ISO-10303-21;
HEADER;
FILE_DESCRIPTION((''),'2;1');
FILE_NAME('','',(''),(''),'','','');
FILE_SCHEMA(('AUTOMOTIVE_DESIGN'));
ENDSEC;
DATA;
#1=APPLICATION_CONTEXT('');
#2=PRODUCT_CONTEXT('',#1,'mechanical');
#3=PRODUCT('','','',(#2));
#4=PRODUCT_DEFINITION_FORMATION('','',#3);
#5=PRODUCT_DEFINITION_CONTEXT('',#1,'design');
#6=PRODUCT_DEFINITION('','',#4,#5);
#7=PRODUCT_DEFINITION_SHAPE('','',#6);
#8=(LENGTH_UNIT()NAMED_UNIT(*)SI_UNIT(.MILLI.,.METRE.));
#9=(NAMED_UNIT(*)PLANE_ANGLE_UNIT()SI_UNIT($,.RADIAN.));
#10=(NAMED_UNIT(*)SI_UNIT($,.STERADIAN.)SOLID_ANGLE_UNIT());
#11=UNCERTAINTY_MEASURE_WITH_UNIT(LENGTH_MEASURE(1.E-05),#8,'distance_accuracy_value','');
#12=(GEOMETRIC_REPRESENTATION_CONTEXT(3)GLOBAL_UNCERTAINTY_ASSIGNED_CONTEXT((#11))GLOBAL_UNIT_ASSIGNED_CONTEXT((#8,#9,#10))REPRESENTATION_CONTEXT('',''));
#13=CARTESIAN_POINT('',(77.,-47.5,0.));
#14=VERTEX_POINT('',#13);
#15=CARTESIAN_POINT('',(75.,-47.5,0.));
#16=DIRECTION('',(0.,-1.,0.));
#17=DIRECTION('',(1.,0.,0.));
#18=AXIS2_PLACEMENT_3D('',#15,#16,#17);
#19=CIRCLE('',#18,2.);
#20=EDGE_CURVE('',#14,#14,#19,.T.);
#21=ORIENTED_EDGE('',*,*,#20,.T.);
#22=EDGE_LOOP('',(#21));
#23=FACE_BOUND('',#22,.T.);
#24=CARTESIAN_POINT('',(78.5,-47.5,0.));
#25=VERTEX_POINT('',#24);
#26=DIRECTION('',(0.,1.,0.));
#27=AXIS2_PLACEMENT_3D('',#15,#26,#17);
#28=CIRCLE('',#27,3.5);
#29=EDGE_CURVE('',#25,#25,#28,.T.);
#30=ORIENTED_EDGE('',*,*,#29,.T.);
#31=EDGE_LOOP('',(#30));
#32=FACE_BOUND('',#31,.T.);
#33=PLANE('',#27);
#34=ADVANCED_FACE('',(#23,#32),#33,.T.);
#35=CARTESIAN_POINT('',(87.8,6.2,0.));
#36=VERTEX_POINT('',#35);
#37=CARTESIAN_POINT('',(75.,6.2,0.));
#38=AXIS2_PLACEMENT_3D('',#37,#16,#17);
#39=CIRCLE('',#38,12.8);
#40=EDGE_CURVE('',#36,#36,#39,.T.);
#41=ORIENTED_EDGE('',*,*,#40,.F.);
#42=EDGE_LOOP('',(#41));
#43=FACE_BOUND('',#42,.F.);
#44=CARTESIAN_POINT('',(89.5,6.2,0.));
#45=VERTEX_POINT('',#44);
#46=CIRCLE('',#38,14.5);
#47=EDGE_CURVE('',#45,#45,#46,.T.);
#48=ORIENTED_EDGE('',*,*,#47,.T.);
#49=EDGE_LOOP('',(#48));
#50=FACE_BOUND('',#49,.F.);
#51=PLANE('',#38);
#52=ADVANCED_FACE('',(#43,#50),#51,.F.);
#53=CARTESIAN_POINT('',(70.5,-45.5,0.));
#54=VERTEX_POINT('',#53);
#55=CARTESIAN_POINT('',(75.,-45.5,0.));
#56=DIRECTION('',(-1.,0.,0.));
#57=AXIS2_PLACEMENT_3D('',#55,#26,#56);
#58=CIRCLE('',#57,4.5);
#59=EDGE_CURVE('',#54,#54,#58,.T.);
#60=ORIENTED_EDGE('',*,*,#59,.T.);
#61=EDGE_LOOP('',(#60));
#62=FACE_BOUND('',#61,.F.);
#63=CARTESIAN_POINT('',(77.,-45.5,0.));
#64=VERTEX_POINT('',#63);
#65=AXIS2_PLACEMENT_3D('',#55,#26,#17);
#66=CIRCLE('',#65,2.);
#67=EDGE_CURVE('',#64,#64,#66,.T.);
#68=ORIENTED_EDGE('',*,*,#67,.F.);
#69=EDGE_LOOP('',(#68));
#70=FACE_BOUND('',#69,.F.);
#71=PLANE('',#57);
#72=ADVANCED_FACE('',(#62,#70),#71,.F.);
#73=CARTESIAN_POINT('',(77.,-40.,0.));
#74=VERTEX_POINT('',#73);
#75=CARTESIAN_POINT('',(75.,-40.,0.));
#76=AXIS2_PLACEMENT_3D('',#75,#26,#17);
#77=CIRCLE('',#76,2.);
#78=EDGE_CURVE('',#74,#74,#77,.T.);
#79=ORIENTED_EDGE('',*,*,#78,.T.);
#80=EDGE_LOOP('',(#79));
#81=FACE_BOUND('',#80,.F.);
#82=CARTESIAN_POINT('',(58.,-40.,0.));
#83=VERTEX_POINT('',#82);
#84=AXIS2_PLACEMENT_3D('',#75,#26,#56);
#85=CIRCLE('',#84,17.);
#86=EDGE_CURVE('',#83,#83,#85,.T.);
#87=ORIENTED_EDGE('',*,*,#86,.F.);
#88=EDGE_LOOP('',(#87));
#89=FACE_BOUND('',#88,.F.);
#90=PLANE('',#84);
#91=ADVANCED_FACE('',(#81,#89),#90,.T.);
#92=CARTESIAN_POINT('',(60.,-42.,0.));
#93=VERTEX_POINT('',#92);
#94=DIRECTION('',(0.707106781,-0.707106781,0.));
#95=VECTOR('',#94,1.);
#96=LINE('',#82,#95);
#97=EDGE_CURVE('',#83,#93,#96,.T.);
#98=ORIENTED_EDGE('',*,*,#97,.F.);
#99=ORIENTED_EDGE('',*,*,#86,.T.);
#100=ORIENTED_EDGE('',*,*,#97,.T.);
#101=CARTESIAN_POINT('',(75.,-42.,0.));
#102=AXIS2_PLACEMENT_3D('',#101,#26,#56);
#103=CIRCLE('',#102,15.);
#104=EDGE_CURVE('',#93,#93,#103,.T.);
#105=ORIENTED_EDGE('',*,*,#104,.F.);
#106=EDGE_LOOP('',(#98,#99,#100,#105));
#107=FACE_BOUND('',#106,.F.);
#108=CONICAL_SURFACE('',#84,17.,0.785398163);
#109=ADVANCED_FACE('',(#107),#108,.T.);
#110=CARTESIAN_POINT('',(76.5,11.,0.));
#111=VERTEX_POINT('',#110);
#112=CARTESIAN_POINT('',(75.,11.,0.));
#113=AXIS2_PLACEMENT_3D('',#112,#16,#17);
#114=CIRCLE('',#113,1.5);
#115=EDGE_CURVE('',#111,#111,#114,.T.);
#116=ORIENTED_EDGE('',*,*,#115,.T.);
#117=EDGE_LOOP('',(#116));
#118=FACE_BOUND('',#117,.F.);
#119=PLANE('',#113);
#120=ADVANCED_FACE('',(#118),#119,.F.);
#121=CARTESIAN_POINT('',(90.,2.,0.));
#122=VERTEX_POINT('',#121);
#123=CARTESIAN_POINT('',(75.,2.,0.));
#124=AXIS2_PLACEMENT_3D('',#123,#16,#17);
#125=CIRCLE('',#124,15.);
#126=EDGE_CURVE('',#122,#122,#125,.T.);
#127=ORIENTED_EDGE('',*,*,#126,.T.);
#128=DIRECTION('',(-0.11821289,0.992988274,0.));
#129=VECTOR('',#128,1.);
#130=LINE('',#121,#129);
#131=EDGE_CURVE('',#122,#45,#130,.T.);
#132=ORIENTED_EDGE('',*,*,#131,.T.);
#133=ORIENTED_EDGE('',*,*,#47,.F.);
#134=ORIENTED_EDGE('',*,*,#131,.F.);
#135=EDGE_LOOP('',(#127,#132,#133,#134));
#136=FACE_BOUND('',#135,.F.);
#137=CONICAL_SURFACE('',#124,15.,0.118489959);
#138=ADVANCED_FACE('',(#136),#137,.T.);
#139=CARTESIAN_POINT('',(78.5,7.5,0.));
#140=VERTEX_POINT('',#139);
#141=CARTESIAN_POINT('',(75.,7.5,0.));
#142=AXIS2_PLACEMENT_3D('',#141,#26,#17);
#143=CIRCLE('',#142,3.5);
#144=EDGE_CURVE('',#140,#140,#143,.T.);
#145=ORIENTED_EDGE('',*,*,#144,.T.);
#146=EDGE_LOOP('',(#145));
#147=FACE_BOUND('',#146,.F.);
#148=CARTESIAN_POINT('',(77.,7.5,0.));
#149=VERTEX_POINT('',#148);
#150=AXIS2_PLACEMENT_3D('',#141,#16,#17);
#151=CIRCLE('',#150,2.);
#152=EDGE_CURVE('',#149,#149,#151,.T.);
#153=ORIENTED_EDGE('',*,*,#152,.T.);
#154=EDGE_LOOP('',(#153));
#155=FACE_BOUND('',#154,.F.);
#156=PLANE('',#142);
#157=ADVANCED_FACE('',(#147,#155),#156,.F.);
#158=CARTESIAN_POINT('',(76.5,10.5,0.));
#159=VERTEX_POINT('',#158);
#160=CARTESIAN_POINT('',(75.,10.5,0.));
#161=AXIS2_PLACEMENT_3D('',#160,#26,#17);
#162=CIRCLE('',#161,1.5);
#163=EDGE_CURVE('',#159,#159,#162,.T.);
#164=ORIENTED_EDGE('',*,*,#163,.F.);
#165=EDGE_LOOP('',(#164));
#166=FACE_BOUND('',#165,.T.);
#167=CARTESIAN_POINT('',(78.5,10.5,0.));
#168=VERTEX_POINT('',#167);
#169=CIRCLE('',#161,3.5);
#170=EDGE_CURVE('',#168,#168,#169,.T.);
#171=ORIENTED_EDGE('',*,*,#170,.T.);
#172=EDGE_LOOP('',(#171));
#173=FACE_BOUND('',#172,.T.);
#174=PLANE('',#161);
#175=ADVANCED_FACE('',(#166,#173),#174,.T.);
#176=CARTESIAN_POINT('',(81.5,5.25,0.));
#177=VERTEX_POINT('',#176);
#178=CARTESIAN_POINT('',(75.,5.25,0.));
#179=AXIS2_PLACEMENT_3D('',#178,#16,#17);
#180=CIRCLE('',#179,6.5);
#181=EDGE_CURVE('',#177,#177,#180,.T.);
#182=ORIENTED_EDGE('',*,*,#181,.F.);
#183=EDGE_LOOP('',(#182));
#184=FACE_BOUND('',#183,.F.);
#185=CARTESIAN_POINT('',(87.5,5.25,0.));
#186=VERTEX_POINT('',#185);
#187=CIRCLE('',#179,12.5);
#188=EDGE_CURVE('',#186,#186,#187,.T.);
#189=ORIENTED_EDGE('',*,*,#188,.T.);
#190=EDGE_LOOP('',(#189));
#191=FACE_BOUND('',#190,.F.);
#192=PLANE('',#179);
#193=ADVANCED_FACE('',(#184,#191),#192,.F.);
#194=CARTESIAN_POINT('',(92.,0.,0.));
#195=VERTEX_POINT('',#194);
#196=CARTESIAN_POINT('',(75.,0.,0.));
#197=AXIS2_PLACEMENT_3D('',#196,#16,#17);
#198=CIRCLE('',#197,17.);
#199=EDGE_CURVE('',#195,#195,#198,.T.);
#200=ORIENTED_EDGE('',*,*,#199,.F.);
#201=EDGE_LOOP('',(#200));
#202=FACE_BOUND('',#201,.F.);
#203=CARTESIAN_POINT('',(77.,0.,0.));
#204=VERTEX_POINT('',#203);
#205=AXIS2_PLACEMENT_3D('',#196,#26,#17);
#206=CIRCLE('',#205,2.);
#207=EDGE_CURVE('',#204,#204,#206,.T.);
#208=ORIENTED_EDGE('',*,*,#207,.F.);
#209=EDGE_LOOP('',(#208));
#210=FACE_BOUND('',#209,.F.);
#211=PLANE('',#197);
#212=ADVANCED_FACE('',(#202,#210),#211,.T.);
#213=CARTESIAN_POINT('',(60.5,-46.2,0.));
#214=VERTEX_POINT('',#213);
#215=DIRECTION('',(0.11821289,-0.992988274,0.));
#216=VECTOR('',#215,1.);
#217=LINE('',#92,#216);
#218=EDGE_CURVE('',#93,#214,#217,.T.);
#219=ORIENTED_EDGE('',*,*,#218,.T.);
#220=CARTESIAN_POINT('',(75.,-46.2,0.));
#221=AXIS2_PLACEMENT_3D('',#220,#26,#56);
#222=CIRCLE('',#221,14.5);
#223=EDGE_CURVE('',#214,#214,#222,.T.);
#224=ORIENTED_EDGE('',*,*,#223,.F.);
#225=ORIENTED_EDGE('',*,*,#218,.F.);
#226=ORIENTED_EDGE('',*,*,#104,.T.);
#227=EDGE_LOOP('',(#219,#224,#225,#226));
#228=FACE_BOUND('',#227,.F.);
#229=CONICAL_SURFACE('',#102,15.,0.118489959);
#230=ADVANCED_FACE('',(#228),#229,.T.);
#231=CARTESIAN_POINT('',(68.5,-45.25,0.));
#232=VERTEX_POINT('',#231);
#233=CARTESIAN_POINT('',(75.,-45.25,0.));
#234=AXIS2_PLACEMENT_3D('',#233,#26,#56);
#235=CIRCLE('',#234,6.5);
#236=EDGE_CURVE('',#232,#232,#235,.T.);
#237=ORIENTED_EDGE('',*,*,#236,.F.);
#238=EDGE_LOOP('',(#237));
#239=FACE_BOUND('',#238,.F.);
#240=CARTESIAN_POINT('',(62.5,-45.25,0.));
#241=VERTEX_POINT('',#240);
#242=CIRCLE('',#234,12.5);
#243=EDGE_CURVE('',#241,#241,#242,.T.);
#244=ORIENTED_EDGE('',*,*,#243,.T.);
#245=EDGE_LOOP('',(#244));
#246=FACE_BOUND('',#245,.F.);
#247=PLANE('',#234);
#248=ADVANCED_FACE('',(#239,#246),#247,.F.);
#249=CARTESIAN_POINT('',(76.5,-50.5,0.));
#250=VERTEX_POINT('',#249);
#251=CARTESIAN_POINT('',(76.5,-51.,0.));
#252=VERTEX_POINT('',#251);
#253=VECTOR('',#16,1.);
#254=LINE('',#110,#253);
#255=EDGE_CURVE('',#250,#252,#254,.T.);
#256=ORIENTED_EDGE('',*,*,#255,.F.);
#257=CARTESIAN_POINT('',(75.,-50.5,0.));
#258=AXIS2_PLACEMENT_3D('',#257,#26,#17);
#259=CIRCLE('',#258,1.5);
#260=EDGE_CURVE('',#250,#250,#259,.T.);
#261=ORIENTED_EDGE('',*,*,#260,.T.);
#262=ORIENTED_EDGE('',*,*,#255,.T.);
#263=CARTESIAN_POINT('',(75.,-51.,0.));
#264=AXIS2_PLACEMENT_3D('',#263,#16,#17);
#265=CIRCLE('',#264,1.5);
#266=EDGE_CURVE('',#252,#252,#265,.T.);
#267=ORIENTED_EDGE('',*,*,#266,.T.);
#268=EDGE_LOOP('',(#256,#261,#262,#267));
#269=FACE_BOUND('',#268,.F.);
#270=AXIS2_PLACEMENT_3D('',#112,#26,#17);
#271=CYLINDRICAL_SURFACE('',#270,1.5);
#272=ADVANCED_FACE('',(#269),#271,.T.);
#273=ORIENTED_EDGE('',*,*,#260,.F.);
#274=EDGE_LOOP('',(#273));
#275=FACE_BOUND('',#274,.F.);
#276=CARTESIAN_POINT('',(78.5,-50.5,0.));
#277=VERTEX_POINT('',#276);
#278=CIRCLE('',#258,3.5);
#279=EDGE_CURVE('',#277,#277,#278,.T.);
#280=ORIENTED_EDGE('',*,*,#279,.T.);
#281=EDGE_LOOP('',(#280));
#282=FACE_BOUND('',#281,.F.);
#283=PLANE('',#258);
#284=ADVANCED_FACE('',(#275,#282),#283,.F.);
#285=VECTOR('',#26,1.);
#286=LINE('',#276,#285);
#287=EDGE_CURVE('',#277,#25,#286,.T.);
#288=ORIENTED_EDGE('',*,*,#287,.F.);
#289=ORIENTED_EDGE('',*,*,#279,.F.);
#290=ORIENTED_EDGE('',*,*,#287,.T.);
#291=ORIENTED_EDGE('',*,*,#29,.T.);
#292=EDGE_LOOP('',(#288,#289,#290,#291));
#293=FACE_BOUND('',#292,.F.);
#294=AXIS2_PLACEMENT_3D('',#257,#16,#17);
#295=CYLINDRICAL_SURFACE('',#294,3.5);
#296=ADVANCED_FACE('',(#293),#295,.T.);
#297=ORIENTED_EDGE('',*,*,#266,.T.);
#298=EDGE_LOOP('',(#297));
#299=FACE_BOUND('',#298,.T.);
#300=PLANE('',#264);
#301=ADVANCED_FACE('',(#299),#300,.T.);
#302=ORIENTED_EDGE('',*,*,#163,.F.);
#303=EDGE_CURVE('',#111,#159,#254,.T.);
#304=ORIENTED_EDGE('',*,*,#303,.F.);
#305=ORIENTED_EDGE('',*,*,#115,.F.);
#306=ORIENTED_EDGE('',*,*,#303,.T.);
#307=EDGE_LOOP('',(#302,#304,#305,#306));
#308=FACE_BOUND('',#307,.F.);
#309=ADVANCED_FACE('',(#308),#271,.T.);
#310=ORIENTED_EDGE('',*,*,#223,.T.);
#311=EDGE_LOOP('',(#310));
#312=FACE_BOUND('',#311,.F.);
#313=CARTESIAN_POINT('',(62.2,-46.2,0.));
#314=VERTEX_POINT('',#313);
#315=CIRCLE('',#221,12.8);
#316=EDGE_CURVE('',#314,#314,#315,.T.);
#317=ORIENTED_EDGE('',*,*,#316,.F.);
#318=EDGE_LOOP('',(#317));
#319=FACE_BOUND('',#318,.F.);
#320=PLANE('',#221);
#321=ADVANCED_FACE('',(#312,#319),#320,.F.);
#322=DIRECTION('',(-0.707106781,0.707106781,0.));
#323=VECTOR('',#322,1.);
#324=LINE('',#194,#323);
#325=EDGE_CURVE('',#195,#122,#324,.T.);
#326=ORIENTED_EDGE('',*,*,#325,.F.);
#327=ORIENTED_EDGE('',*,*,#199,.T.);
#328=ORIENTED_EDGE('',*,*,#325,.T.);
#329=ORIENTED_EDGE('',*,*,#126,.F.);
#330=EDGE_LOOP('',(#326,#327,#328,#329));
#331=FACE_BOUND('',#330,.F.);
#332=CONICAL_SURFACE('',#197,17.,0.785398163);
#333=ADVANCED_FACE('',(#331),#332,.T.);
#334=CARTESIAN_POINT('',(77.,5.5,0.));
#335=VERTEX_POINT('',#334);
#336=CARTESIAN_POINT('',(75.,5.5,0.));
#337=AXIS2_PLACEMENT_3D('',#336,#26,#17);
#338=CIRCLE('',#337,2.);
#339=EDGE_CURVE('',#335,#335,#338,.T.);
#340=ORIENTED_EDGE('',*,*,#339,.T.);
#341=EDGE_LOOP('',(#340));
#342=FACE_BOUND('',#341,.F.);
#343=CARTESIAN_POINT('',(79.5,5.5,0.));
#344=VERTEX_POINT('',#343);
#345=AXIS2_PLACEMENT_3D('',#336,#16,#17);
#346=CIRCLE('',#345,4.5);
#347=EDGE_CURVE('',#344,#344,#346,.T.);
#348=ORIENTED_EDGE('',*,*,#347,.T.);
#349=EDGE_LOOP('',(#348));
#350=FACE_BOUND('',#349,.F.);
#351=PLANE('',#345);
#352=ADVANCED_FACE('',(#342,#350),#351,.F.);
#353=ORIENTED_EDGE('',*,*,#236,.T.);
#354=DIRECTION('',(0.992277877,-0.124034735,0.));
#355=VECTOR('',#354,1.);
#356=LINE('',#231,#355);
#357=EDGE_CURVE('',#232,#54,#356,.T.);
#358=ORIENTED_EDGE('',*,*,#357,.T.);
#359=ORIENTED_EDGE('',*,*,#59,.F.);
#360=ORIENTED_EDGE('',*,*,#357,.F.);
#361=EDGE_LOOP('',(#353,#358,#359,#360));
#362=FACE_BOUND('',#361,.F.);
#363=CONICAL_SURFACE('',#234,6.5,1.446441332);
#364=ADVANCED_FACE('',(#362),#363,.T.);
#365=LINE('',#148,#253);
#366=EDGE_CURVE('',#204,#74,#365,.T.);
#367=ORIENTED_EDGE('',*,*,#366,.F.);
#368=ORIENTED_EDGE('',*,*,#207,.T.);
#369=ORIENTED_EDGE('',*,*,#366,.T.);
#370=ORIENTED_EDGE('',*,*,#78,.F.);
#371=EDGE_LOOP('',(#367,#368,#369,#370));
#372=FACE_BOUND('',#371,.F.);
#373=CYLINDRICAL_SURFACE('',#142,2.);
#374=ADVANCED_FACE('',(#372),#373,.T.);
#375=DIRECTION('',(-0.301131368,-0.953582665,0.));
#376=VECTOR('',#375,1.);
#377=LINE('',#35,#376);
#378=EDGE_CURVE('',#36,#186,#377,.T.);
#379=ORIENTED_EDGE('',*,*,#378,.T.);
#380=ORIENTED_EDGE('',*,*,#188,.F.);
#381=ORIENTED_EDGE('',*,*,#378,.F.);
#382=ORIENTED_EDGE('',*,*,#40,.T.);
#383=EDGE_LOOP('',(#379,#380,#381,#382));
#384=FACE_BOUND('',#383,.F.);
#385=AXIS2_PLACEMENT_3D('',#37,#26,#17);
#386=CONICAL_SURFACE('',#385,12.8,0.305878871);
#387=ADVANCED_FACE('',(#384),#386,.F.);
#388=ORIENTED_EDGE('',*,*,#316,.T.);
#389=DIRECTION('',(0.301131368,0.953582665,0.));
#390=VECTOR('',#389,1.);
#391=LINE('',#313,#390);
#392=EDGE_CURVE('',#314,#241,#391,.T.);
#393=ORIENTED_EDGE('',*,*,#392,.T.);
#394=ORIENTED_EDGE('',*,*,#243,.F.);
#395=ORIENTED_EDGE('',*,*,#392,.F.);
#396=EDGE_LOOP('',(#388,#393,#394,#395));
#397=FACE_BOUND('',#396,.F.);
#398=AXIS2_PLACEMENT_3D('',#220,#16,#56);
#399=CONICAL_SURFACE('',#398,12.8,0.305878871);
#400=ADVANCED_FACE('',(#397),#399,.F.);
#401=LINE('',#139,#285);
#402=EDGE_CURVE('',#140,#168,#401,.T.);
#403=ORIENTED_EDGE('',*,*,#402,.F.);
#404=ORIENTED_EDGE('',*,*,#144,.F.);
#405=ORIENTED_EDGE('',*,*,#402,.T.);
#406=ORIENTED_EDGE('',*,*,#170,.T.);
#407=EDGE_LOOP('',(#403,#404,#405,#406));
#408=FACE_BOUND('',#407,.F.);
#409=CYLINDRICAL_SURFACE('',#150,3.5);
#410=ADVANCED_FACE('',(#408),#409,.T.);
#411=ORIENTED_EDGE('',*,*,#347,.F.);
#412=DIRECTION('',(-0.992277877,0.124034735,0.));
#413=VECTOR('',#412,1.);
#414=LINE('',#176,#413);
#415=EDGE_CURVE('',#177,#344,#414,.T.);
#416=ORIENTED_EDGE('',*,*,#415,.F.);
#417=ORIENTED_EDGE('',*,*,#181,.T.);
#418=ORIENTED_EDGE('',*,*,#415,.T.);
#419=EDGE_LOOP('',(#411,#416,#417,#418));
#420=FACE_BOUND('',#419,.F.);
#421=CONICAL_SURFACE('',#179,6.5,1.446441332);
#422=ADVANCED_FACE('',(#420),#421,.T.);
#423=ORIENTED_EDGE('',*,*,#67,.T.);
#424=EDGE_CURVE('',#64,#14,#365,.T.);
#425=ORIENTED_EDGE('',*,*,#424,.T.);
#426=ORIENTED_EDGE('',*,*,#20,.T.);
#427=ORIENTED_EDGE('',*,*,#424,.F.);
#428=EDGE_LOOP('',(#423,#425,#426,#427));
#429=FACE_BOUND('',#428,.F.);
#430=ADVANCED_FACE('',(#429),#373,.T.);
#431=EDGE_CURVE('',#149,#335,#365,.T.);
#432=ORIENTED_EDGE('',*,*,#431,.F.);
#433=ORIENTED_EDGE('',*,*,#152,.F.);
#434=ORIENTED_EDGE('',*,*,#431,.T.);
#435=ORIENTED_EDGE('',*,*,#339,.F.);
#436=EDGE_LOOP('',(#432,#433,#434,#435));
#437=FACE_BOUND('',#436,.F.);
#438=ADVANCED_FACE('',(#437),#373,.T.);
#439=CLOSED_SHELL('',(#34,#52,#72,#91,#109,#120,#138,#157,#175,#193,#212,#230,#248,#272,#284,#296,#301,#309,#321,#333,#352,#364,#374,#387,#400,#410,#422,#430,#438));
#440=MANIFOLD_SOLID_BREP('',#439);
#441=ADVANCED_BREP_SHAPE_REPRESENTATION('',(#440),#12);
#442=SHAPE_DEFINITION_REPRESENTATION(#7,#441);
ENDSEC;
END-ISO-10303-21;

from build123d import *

# Parameters (mm, degrees)
CYLINDER118_R          = 2
CYLINDER118_DEPTH      = 10
CUT063_PLACEMENT_ANGLE = 180
CYLINDER116_R          = 2
CYLINDER116_DEPTH      = 55
CYLINDER117_R          = 1.5
CYLINDER117_DEPTH      = 62
TUBE011_R              = 3.5
TUBE011_R_2            = 1.5
TUBE011_DEPTH          = 3
TUBE010_R              = 3.5
TUBE010_R_2            = 1.5
TUBE010_DEPTH          = 3
CYLINDER119_R          = 2
CYLINDER119_DEPTH      = 10


with BuildPart() as cylinder118:
    # Cylinder118 → Cylinder118 (new body)
    with BuildSketch(Plane.XZ.offset(-8)):
        Circle(CYLINDER118_R)
    extrude(amount=CYLINDER118_DEPTH)


with BuildPart() as rad_d:
    # Sketch005 → Revolve005 (revolve)
    with BuildSketch(Plane.XY):
        Polygon((0, 0), (17, 0), (15, 2), (14.5, 6.2), (12.8, 6.2), (12.5, 5.25), (6.5, 5.25), (4.5, 5.5), (0, 5.5), align=None)
    revolve(axis=Axis((0, 0, 0), (0, -1, 0)))

    # Cut063: cut Cylinder118
    add(cylinder118.part, mode=Mode.SUBTRACT)


with BuildPart() as rad_d_1:
    # Cut063 placement: moved
    add(rad_d.part.moved(Location((75, -40, 0))).rotate(Axis((75, -40, 0), (0, 0, 1)), CUT063_PLACEMENT_ANGLE))


with BuildPart() as cylinder116:
    # Cylinder116 → Cylinder116 (new body)
    with BuildSketch(Plane.XZ.offset(-7.5)):
        Circle(CYLINDER116_R)
    extrude(amount=CYLINDER116_DEPTH)


with BuildPart() as achse_b:
    # Cylinder117 → Cylinder117 (new body)
    with BuildSketch(Plane.XZ.offset(-11)):
        Circle(CYLINDER117_R)
    extrude(amount=CYLINDER117_DEPTH)

    # Fusion077: union Cylinder116
    add(cylinder116.part)


with BuildPart() as achse_b_1:
    # Fusion077 placement: moved
    add(achse_b.part.moved(Location((75, 0, 0))))


with BuildPart() as kula_d:
    # Tube011 → Tube011 (new body)
    with BuildSketch(Plane(origin=(75, -50.5, 0), x_dir=(1, 0, 0), z_dir=(0, 1, 0))):
        Circle(TUBE011_R)
        Circle(TUBE011_R_2, mode=Mode.SUBTRACT)
    extrude(amount=TUBE011_DEPTH)


with BuildPart() as kula_c:
    # Tube010 → Tube010 (new body)
    with BuildSketch(Plane(origin=(75, 7.5, 0), x_dir=(1, 0, 0), z_dir=(0, 1, 0))):
        Circle(TUBE010_R)
        Circle(TUBE010_R_2, mode=Mode.SUBTRACT)
    extrude(amount=TUBE010_DEPTH)


with BuildPart() as cylinder119:
    # Cylinder119 → Cylinder119 (new body)
    with BuildSketch(Plane.XZ.offset(-8)):
        Circle(CYLINDER119_R)
    extrude(amount=CYLINDER119_DEPTH)


with BuildPart() as radsatz_b:
    # Sketch005 → Revolve006 (revolve)
    with BuildSketch(Plane.XY):
        Polygon((0, 0), (17, 0), (15, 2), (14.5, 6.2), (12.8, 6.2), (12.5, 5.25), (6.5, 5.25), (4.5, 5.5), (0, 5.5), align=None)
    revolve(axis=Axis((0, 0, 0), (0, -1, 0)))

    # Cut064: cut Cylinder119
    add(cylinder119.part, mode=Mode.SUBTRACT)


with BuildPart() as radsatz_b_1:
    # Cut064 placement: moved
    add(radsatz_b.part.moved(Location((75, 0, 0))))

    # Fusion079: union Rad-D, Achse-B, KuLa-D, KuLa-C
    add(rad_d_1.part)
    add(achse_b_1.part)
    add(kula_d.part)
    add(kula_c.part)


solid = radsatz_b_1.part
